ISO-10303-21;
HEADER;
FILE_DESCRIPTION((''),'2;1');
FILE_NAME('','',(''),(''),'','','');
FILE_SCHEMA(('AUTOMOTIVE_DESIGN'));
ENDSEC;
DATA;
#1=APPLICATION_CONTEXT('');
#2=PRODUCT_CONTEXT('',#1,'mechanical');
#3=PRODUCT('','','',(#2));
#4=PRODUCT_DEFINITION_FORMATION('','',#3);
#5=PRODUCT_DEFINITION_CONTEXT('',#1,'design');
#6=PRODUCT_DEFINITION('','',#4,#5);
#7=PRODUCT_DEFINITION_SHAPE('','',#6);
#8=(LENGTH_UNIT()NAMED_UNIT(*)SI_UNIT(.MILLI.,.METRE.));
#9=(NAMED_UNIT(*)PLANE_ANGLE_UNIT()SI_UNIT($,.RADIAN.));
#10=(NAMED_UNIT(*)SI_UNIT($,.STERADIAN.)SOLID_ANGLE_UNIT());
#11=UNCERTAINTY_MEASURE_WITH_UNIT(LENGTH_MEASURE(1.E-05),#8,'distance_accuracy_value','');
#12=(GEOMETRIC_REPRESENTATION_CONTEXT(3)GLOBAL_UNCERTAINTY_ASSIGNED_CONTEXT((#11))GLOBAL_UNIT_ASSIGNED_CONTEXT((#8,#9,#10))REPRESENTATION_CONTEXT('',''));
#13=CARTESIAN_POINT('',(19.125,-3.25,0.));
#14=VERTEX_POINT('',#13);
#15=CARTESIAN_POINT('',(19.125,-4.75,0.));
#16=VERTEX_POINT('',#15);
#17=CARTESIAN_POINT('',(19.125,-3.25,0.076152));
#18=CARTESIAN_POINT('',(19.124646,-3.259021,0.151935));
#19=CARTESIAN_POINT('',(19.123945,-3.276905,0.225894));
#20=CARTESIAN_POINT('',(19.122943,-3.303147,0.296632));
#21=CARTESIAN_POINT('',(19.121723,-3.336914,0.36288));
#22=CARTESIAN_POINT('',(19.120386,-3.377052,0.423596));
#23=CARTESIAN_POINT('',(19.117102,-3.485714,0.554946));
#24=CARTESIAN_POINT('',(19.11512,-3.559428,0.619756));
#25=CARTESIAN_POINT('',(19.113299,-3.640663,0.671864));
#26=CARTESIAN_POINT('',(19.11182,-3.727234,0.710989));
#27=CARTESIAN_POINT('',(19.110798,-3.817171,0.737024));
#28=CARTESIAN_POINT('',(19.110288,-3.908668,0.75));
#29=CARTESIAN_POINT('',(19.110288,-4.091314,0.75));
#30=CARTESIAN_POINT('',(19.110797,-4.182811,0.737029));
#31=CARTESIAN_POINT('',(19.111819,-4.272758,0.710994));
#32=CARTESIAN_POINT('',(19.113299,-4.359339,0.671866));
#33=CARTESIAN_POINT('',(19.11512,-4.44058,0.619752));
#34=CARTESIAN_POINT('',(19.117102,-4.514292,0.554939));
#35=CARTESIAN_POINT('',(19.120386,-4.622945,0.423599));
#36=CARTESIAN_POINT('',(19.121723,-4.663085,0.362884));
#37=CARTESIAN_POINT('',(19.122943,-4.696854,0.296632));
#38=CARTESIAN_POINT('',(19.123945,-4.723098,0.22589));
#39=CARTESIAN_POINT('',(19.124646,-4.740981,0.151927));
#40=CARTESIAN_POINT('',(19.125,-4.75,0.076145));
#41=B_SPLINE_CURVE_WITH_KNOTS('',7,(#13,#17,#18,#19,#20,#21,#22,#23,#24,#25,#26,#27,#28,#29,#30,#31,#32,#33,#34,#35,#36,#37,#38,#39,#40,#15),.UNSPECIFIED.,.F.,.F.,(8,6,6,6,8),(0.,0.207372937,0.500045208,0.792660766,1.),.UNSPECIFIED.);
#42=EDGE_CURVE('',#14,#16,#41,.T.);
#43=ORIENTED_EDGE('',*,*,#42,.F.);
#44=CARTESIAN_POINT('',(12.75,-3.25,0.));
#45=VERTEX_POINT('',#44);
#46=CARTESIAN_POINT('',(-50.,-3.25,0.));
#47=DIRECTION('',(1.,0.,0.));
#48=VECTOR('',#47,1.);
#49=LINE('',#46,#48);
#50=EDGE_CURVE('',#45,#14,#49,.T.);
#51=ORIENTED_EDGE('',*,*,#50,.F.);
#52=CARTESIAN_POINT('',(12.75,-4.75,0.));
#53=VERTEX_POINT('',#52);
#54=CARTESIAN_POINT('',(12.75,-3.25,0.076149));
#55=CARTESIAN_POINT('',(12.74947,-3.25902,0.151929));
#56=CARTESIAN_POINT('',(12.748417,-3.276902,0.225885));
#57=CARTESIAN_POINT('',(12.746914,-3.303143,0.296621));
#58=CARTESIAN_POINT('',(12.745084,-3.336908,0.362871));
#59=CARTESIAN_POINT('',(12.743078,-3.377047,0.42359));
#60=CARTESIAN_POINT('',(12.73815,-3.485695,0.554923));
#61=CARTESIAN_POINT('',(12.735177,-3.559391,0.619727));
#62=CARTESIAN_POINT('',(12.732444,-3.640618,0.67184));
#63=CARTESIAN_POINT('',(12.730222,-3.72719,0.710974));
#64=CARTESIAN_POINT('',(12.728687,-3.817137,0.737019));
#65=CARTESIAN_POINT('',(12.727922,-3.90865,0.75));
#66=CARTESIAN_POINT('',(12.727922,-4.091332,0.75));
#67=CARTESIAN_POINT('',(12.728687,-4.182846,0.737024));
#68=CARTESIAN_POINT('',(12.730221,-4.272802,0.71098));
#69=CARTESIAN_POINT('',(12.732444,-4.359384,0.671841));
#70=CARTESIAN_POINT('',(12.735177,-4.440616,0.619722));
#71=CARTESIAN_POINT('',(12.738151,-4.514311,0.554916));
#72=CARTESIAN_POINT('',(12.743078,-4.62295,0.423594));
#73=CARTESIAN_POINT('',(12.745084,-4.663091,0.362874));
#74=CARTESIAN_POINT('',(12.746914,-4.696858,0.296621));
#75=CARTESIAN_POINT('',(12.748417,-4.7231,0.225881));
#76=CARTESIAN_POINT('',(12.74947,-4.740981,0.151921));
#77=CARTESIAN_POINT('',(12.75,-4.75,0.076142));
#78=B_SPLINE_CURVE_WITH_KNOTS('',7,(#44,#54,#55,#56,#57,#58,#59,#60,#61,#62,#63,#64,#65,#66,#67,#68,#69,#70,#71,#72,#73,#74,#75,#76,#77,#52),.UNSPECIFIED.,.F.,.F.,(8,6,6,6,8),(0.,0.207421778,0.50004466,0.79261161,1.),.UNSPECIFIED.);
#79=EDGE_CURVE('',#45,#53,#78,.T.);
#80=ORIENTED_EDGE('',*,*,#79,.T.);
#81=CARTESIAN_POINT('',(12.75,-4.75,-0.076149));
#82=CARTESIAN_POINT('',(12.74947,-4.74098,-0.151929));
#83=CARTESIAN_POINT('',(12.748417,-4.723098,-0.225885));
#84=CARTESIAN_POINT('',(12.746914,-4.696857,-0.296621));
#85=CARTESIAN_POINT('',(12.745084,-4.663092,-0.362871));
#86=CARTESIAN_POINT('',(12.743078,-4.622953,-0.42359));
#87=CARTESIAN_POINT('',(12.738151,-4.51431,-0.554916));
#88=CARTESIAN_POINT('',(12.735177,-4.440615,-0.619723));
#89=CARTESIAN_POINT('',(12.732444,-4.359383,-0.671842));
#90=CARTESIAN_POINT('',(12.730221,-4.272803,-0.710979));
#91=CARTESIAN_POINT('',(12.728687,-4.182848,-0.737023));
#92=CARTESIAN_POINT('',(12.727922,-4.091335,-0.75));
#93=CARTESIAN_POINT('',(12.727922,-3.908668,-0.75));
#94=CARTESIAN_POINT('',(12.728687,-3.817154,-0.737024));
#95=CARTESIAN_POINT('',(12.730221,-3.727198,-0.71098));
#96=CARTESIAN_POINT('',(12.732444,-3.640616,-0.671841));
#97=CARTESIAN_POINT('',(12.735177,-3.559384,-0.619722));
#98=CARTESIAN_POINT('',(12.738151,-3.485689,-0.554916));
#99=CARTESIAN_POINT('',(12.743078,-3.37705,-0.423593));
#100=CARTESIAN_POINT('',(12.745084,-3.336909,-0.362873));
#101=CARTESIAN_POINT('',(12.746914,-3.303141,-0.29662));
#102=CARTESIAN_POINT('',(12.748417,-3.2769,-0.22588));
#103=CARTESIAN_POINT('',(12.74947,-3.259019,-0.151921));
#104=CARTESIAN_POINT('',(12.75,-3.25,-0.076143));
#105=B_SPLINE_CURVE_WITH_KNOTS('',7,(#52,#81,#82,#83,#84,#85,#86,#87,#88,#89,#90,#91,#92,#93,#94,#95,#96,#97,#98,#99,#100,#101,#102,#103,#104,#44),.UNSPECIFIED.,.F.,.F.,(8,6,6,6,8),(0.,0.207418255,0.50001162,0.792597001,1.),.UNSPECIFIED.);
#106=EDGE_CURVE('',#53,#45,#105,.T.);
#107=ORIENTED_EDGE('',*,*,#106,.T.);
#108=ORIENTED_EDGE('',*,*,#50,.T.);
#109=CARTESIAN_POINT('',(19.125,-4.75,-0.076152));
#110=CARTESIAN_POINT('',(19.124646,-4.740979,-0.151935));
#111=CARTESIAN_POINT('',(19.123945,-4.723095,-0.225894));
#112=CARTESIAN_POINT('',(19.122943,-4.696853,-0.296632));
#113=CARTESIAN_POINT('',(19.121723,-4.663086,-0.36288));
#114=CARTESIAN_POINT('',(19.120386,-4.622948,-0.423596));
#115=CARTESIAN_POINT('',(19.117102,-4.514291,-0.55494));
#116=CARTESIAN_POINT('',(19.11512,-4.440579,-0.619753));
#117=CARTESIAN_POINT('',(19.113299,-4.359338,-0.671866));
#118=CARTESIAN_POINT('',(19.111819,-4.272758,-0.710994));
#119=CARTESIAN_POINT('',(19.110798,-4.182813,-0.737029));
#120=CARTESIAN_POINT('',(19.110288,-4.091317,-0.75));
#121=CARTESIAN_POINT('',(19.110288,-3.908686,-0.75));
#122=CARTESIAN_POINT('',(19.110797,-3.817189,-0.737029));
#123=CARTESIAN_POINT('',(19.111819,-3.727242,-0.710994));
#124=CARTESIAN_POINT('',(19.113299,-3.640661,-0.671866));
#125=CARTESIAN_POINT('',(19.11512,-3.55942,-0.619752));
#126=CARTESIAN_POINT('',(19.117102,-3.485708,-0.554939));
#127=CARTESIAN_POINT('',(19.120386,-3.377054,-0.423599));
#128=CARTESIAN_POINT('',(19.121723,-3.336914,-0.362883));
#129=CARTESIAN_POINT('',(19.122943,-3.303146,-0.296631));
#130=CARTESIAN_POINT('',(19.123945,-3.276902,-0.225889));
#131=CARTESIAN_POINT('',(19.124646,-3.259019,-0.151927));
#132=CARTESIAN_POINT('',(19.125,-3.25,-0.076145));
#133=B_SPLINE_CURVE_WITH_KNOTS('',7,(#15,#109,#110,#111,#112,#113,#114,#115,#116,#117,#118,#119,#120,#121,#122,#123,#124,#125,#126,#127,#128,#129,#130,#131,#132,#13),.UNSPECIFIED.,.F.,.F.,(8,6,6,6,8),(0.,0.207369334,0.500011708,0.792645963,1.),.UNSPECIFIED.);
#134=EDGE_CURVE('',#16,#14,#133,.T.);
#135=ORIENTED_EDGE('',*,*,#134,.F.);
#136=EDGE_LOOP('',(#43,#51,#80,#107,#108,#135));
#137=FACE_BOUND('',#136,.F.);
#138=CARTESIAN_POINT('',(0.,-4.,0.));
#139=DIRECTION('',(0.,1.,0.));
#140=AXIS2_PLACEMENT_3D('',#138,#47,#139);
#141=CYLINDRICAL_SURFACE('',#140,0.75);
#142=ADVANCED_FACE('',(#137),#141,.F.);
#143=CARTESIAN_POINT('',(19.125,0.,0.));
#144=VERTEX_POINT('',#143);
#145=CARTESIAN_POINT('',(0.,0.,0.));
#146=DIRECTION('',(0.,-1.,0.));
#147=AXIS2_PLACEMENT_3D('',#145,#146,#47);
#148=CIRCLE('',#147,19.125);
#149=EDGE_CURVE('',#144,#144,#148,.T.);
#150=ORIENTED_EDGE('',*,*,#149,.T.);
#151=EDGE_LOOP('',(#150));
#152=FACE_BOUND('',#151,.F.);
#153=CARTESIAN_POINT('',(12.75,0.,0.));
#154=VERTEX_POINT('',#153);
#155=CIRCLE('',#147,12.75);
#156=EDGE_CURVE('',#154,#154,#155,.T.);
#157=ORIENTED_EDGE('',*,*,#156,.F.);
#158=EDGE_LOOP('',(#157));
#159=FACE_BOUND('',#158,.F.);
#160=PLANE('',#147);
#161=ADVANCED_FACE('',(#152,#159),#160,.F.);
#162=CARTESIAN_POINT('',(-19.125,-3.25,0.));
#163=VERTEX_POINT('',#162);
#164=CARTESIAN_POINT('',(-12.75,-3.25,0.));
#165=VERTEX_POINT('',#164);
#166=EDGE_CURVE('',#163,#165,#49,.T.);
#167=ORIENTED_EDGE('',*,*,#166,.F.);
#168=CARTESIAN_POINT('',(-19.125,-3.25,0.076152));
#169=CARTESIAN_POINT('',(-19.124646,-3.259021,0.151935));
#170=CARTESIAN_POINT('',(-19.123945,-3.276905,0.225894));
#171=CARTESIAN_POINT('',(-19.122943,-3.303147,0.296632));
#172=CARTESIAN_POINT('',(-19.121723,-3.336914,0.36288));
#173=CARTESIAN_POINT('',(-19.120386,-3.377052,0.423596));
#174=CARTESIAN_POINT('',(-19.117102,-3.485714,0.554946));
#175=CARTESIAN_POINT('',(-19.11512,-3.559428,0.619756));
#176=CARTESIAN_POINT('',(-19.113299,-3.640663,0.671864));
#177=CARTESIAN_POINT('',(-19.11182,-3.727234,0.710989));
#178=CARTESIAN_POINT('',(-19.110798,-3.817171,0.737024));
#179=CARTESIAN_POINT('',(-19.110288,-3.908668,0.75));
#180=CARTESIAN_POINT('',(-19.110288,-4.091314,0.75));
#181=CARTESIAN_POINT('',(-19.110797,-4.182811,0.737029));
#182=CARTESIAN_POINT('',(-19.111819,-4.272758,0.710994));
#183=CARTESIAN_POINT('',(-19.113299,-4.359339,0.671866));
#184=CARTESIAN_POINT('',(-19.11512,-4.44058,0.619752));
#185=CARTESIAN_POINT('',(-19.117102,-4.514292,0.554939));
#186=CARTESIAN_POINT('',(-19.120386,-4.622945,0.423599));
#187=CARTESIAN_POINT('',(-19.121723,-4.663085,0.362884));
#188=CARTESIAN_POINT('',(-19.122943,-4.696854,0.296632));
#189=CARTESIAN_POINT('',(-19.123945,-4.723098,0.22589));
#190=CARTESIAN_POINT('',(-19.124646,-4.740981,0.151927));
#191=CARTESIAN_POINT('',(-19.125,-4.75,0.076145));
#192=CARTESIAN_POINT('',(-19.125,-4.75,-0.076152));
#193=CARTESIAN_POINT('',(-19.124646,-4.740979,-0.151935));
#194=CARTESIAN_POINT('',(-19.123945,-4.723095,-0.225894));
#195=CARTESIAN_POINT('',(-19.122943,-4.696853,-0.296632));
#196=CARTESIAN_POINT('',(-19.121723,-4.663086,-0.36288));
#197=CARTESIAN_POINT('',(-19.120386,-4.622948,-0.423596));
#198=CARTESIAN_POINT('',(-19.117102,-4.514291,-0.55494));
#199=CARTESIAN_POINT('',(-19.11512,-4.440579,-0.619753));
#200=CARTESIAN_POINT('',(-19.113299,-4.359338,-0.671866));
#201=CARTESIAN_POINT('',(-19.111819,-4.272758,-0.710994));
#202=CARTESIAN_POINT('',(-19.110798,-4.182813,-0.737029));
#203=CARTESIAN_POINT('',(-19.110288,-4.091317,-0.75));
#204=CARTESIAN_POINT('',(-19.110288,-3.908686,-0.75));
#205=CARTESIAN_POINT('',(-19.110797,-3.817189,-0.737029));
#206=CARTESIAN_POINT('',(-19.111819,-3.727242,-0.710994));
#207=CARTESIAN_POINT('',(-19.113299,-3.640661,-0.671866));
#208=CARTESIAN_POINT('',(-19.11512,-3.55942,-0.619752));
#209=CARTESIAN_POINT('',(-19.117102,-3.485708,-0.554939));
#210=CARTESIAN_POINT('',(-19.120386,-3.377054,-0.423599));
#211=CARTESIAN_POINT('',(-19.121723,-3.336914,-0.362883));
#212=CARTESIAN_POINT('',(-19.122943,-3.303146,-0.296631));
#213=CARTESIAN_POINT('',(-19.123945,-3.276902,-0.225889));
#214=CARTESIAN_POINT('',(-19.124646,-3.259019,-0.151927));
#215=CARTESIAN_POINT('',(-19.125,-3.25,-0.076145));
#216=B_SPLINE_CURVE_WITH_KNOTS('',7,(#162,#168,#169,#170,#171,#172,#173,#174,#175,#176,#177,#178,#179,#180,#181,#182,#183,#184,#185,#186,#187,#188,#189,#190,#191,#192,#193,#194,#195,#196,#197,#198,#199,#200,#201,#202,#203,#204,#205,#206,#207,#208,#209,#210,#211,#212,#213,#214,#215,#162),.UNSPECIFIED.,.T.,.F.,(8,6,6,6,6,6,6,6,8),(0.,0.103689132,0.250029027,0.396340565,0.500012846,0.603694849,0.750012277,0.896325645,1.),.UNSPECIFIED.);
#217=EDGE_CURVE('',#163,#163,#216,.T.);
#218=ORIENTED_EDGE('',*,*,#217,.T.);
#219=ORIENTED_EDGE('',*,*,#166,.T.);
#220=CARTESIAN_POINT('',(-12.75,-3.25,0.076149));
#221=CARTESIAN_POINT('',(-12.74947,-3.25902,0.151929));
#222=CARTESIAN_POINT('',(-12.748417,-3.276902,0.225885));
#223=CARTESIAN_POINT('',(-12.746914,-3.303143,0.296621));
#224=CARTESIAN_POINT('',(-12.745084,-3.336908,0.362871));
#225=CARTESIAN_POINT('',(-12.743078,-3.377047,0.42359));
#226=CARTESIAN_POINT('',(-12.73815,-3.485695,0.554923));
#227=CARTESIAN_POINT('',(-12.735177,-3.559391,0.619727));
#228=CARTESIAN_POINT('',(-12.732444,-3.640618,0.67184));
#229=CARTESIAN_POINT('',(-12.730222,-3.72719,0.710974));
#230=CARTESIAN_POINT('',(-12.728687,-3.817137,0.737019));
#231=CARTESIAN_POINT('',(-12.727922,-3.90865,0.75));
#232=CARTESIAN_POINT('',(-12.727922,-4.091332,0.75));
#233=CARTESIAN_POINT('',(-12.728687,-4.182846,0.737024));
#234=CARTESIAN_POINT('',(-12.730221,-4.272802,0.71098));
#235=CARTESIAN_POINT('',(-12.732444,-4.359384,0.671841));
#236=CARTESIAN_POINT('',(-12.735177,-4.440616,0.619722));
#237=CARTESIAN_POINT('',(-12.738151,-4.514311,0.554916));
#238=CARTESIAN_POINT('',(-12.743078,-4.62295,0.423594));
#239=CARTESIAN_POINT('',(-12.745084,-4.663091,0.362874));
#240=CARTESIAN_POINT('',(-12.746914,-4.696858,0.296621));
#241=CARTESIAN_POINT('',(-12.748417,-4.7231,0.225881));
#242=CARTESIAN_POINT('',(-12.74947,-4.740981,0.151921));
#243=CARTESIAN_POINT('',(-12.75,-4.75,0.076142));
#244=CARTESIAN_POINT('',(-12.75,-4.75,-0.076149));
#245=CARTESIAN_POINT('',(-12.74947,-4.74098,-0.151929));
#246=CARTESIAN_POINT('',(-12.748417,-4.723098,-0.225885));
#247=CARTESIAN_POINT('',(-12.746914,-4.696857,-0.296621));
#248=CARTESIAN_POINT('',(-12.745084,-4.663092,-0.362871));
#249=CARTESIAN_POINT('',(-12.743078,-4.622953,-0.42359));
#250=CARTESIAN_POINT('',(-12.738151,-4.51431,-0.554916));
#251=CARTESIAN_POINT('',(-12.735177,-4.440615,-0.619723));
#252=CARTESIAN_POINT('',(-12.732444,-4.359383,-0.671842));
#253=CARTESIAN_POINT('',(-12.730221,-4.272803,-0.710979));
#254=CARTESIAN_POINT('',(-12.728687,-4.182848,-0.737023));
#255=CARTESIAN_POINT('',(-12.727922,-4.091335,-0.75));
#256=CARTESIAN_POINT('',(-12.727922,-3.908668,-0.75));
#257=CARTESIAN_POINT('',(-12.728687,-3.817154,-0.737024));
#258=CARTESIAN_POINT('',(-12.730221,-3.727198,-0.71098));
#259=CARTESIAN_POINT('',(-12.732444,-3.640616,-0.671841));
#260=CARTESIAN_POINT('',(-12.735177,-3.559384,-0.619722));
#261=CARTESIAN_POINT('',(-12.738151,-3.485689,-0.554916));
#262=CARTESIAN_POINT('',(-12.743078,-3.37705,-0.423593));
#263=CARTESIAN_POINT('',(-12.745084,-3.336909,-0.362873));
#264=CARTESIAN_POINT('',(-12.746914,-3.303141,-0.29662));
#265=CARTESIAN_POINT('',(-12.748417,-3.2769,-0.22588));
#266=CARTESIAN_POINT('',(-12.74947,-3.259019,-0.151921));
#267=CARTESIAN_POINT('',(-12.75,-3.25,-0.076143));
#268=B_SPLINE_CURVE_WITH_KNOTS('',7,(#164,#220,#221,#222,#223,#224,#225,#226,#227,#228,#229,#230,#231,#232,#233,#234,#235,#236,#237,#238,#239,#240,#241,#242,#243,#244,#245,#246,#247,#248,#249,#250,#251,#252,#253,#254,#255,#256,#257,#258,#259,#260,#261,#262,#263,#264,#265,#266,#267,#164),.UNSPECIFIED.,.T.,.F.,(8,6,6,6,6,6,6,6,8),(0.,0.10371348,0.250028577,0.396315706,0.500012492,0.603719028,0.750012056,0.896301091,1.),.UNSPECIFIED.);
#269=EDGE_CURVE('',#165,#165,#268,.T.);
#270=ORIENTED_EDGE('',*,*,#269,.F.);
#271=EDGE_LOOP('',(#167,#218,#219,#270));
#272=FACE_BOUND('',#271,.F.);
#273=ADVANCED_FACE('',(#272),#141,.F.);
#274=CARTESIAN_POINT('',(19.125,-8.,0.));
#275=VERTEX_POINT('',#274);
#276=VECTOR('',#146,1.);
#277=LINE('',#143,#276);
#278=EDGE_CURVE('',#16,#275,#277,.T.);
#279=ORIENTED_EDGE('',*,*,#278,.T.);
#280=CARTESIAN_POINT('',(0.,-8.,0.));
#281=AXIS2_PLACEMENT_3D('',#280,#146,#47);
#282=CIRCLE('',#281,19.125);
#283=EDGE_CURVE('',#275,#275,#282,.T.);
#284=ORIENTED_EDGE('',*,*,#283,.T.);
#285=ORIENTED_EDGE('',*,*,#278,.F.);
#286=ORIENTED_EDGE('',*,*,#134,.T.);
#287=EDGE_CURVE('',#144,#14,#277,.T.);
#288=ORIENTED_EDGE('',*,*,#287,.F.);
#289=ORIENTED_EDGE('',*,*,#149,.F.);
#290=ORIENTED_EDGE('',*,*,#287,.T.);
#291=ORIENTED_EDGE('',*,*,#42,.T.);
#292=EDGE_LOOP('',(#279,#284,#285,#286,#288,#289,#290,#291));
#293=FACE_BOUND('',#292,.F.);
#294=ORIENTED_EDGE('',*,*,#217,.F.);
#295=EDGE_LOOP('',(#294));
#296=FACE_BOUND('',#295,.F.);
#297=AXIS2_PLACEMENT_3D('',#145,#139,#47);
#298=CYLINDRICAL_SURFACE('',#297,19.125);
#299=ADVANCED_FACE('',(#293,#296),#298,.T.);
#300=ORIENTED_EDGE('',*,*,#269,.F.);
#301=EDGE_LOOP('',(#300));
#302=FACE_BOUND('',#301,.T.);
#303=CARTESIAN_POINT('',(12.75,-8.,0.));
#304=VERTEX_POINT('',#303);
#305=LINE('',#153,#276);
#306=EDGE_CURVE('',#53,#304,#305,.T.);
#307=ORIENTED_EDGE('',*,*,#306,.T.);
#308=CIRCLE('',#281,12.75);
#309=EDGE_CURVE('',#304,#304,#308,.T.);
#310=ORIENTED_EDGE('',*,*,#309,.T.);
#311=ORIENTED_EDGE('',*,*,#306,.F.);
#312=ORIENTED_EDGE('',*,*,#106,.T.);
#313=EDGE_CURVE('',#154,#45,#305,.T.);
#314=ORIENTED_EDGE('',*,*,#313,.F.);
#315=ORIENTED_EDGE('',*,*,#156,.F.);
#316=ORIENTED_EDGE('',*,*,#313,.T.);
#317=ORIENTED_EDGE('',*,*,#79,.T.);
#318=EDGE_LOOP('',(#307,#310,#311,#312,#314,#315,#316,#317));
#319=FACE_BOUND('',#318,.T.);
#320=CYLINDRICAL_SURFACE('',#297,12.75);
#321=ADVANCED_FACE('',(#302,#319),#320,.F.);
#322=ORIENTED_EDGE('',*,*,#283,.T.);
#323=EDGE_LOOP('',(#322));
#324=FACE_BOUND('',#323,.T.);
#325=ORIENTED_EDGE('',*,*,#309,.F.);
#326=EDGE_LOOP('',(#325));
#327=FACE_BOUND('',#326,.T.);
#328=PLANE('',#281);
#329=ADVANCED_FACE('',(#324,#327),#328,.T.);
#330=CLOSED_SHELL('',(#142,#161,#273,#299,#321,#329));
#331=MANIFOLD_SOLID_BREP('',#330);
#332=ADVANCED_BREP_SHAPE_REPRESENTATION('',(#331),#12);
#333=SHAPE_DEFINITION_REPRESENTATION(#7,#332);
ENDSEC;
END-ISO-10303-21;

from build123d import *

# Parameters (mm, degrees)
F0_R     = 19.125
F0_R_2   = 12.75
F1_DEPTH = 8
F2_R     = 0.75
F3_DEPTH = 50


with BuildPart() as f1:
    # F0 (on Front) → F1 (new body)
    with BuildSketch(Plane.XZ):
        Circle(F0_R)
        Circle(F0_R_2, mode=Mode.SUBTRACT)
    extrude(amount=F1_DEPTH)

    # F2 (on Right) → F3 (cut, symmetric)
    with BuildSketch(Plane.YZ):
        with Locations((-4, 0)):
            Circle(F2_R)
    extrude(amount=F3_DEPTH, both=True, mode=Mode.SUBTRACT)


solid = f1.part
